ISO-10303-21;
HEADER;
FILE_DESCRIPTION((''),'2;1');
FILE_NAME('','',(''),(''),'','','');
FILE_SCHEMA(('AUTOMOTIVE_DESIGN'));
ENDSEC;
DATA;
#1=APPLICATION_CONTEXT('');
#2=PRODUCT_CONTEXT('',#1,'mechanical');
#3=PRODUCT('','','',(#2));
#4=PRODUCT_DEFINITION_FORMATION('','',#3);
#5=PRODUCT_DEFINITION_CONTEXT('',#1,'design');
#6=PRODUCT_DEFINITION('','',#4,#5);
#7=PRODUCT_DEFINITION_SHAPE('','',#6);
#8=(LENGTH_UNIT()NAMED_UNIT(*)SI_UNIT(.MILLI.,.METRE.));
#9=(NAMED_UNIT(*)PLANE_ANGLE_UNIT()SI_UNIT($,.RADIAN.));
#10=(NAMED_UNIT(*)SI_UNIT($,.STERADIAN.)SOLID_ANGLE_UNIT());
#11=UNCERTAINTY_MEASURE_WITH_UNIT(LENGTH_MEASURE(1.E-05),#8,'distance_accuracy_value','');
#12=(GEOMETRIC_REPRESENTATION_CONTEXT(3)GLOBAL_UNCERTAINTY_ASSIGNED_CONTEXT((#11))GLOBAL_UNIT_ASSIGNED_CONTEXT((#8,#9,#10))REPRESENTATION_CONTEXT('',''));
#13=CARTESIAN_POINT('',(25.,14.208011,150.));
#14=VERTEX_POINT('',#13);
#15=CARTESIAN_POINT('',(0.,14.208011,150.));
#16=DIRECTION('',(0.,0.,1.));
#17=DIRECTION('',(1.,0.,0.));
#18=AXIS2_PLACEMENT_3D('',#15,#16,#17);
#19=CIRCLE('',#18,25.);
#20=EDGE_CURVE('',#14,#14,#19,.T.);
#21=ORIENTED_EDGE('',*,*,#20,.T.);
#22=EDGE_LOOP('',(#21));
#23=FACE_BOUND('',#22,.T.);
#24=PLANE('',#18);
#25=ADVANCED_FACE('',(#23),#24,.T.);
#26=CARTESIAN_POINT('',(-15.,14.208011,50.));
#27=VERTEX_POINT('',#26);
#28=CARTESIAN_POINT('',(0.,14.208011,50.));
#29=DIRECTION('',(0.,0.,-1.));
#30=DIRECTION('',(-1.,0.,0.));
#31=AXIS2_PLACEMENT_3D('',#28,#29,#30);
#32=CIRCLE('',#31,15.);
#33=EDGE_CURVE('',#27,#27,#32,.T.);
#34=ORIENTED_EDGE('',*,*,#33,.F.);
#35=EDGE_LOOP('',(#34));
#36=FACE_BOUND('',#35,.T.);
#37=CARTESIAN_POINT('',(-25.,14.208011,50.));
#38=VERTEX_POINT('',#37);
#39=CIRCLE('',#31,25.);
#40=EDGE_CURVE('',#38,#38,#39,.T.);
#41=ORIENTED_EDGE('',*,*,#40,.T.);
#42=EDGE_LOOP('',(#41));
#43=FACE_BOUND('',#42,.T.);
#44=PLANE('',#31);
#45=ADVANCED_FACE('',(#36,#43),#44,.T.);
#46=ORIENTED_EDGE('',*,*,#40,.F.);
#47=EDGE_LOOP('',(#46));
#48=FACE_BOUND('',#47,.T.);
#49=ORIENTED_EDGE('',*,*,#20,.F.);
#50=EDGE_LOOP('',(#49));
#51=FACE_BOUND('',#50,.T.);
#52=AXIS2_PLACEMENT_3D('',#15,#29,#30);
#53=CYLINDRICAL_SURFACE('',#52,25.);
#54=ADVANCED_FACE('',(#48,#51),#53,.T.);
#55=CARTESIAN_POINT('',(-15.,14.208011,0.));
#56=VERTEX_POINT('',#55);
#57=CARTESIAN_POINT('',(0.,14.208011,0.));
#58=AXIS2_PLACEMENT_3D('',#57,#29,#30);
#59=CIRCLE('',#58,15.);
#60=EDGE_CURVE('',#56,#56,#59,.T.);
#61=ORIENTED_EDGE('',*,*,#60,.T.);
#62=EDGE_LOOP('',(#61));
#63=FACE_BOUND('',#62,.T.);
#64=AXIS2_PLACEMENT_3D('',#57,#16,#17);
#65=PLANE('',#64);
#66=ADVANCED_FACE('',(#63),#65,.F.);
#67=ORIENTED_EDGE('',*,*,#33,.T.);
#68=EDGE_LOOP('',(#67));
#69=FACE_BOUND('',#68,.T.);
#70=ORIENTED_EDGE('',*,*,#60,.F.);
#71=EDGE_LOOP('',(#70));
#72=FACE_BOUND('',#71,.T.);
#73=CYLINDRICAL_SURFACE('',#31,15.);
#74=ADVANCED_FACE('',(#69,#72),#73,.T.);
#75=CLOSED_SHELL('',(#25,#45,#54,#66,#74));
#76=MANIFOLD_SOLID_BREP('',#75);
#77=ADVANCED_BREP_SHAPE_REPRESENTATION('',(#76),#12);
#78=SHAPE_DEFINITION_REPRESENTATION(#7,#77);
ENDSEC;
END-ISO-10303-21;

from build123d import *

# Parameters (mm, degrees)
SKETCH_1_R          = 25
EXTRUDE_1_DEPTH     = 150
SKETCH_2_R          = 25
SKETCH_2_R_2        = 15
CUT_EXTRUDE_1_DEPTH = 50


with BuildPart() as part:
    # ｽｹｯﾁ1 → ﾎﾞｽ - 押し出し1 (new body)
    with BuildSketch(Plane.XY):
        with Locations((0, 14.208011445)):
            Circle(SKETCH_1_R)
    extrude(amount=EXTRUDE_1_DEPTH)

    # ｽｹｯﾁ2 → ｶｯﾄ - 押し出し1 (cut)
    with BuildSketch(Plane(origin=(0, 0, 0), x_dir=(-1, 0, 0), z_dir=(0, 0, -1))):
        with Locations((0, 14.208011445)):
            Circle(SKETCH_2_R)
        with Locations((0, 14.208011445)):
            Circle(SKETCH_2_R_2, mode=Mode.SUBTRACT)
    extrude(amount=-CUT_EXTRUDE_1_DEPTH, mode=Mode.SUBTRACT)


solid = part.part
